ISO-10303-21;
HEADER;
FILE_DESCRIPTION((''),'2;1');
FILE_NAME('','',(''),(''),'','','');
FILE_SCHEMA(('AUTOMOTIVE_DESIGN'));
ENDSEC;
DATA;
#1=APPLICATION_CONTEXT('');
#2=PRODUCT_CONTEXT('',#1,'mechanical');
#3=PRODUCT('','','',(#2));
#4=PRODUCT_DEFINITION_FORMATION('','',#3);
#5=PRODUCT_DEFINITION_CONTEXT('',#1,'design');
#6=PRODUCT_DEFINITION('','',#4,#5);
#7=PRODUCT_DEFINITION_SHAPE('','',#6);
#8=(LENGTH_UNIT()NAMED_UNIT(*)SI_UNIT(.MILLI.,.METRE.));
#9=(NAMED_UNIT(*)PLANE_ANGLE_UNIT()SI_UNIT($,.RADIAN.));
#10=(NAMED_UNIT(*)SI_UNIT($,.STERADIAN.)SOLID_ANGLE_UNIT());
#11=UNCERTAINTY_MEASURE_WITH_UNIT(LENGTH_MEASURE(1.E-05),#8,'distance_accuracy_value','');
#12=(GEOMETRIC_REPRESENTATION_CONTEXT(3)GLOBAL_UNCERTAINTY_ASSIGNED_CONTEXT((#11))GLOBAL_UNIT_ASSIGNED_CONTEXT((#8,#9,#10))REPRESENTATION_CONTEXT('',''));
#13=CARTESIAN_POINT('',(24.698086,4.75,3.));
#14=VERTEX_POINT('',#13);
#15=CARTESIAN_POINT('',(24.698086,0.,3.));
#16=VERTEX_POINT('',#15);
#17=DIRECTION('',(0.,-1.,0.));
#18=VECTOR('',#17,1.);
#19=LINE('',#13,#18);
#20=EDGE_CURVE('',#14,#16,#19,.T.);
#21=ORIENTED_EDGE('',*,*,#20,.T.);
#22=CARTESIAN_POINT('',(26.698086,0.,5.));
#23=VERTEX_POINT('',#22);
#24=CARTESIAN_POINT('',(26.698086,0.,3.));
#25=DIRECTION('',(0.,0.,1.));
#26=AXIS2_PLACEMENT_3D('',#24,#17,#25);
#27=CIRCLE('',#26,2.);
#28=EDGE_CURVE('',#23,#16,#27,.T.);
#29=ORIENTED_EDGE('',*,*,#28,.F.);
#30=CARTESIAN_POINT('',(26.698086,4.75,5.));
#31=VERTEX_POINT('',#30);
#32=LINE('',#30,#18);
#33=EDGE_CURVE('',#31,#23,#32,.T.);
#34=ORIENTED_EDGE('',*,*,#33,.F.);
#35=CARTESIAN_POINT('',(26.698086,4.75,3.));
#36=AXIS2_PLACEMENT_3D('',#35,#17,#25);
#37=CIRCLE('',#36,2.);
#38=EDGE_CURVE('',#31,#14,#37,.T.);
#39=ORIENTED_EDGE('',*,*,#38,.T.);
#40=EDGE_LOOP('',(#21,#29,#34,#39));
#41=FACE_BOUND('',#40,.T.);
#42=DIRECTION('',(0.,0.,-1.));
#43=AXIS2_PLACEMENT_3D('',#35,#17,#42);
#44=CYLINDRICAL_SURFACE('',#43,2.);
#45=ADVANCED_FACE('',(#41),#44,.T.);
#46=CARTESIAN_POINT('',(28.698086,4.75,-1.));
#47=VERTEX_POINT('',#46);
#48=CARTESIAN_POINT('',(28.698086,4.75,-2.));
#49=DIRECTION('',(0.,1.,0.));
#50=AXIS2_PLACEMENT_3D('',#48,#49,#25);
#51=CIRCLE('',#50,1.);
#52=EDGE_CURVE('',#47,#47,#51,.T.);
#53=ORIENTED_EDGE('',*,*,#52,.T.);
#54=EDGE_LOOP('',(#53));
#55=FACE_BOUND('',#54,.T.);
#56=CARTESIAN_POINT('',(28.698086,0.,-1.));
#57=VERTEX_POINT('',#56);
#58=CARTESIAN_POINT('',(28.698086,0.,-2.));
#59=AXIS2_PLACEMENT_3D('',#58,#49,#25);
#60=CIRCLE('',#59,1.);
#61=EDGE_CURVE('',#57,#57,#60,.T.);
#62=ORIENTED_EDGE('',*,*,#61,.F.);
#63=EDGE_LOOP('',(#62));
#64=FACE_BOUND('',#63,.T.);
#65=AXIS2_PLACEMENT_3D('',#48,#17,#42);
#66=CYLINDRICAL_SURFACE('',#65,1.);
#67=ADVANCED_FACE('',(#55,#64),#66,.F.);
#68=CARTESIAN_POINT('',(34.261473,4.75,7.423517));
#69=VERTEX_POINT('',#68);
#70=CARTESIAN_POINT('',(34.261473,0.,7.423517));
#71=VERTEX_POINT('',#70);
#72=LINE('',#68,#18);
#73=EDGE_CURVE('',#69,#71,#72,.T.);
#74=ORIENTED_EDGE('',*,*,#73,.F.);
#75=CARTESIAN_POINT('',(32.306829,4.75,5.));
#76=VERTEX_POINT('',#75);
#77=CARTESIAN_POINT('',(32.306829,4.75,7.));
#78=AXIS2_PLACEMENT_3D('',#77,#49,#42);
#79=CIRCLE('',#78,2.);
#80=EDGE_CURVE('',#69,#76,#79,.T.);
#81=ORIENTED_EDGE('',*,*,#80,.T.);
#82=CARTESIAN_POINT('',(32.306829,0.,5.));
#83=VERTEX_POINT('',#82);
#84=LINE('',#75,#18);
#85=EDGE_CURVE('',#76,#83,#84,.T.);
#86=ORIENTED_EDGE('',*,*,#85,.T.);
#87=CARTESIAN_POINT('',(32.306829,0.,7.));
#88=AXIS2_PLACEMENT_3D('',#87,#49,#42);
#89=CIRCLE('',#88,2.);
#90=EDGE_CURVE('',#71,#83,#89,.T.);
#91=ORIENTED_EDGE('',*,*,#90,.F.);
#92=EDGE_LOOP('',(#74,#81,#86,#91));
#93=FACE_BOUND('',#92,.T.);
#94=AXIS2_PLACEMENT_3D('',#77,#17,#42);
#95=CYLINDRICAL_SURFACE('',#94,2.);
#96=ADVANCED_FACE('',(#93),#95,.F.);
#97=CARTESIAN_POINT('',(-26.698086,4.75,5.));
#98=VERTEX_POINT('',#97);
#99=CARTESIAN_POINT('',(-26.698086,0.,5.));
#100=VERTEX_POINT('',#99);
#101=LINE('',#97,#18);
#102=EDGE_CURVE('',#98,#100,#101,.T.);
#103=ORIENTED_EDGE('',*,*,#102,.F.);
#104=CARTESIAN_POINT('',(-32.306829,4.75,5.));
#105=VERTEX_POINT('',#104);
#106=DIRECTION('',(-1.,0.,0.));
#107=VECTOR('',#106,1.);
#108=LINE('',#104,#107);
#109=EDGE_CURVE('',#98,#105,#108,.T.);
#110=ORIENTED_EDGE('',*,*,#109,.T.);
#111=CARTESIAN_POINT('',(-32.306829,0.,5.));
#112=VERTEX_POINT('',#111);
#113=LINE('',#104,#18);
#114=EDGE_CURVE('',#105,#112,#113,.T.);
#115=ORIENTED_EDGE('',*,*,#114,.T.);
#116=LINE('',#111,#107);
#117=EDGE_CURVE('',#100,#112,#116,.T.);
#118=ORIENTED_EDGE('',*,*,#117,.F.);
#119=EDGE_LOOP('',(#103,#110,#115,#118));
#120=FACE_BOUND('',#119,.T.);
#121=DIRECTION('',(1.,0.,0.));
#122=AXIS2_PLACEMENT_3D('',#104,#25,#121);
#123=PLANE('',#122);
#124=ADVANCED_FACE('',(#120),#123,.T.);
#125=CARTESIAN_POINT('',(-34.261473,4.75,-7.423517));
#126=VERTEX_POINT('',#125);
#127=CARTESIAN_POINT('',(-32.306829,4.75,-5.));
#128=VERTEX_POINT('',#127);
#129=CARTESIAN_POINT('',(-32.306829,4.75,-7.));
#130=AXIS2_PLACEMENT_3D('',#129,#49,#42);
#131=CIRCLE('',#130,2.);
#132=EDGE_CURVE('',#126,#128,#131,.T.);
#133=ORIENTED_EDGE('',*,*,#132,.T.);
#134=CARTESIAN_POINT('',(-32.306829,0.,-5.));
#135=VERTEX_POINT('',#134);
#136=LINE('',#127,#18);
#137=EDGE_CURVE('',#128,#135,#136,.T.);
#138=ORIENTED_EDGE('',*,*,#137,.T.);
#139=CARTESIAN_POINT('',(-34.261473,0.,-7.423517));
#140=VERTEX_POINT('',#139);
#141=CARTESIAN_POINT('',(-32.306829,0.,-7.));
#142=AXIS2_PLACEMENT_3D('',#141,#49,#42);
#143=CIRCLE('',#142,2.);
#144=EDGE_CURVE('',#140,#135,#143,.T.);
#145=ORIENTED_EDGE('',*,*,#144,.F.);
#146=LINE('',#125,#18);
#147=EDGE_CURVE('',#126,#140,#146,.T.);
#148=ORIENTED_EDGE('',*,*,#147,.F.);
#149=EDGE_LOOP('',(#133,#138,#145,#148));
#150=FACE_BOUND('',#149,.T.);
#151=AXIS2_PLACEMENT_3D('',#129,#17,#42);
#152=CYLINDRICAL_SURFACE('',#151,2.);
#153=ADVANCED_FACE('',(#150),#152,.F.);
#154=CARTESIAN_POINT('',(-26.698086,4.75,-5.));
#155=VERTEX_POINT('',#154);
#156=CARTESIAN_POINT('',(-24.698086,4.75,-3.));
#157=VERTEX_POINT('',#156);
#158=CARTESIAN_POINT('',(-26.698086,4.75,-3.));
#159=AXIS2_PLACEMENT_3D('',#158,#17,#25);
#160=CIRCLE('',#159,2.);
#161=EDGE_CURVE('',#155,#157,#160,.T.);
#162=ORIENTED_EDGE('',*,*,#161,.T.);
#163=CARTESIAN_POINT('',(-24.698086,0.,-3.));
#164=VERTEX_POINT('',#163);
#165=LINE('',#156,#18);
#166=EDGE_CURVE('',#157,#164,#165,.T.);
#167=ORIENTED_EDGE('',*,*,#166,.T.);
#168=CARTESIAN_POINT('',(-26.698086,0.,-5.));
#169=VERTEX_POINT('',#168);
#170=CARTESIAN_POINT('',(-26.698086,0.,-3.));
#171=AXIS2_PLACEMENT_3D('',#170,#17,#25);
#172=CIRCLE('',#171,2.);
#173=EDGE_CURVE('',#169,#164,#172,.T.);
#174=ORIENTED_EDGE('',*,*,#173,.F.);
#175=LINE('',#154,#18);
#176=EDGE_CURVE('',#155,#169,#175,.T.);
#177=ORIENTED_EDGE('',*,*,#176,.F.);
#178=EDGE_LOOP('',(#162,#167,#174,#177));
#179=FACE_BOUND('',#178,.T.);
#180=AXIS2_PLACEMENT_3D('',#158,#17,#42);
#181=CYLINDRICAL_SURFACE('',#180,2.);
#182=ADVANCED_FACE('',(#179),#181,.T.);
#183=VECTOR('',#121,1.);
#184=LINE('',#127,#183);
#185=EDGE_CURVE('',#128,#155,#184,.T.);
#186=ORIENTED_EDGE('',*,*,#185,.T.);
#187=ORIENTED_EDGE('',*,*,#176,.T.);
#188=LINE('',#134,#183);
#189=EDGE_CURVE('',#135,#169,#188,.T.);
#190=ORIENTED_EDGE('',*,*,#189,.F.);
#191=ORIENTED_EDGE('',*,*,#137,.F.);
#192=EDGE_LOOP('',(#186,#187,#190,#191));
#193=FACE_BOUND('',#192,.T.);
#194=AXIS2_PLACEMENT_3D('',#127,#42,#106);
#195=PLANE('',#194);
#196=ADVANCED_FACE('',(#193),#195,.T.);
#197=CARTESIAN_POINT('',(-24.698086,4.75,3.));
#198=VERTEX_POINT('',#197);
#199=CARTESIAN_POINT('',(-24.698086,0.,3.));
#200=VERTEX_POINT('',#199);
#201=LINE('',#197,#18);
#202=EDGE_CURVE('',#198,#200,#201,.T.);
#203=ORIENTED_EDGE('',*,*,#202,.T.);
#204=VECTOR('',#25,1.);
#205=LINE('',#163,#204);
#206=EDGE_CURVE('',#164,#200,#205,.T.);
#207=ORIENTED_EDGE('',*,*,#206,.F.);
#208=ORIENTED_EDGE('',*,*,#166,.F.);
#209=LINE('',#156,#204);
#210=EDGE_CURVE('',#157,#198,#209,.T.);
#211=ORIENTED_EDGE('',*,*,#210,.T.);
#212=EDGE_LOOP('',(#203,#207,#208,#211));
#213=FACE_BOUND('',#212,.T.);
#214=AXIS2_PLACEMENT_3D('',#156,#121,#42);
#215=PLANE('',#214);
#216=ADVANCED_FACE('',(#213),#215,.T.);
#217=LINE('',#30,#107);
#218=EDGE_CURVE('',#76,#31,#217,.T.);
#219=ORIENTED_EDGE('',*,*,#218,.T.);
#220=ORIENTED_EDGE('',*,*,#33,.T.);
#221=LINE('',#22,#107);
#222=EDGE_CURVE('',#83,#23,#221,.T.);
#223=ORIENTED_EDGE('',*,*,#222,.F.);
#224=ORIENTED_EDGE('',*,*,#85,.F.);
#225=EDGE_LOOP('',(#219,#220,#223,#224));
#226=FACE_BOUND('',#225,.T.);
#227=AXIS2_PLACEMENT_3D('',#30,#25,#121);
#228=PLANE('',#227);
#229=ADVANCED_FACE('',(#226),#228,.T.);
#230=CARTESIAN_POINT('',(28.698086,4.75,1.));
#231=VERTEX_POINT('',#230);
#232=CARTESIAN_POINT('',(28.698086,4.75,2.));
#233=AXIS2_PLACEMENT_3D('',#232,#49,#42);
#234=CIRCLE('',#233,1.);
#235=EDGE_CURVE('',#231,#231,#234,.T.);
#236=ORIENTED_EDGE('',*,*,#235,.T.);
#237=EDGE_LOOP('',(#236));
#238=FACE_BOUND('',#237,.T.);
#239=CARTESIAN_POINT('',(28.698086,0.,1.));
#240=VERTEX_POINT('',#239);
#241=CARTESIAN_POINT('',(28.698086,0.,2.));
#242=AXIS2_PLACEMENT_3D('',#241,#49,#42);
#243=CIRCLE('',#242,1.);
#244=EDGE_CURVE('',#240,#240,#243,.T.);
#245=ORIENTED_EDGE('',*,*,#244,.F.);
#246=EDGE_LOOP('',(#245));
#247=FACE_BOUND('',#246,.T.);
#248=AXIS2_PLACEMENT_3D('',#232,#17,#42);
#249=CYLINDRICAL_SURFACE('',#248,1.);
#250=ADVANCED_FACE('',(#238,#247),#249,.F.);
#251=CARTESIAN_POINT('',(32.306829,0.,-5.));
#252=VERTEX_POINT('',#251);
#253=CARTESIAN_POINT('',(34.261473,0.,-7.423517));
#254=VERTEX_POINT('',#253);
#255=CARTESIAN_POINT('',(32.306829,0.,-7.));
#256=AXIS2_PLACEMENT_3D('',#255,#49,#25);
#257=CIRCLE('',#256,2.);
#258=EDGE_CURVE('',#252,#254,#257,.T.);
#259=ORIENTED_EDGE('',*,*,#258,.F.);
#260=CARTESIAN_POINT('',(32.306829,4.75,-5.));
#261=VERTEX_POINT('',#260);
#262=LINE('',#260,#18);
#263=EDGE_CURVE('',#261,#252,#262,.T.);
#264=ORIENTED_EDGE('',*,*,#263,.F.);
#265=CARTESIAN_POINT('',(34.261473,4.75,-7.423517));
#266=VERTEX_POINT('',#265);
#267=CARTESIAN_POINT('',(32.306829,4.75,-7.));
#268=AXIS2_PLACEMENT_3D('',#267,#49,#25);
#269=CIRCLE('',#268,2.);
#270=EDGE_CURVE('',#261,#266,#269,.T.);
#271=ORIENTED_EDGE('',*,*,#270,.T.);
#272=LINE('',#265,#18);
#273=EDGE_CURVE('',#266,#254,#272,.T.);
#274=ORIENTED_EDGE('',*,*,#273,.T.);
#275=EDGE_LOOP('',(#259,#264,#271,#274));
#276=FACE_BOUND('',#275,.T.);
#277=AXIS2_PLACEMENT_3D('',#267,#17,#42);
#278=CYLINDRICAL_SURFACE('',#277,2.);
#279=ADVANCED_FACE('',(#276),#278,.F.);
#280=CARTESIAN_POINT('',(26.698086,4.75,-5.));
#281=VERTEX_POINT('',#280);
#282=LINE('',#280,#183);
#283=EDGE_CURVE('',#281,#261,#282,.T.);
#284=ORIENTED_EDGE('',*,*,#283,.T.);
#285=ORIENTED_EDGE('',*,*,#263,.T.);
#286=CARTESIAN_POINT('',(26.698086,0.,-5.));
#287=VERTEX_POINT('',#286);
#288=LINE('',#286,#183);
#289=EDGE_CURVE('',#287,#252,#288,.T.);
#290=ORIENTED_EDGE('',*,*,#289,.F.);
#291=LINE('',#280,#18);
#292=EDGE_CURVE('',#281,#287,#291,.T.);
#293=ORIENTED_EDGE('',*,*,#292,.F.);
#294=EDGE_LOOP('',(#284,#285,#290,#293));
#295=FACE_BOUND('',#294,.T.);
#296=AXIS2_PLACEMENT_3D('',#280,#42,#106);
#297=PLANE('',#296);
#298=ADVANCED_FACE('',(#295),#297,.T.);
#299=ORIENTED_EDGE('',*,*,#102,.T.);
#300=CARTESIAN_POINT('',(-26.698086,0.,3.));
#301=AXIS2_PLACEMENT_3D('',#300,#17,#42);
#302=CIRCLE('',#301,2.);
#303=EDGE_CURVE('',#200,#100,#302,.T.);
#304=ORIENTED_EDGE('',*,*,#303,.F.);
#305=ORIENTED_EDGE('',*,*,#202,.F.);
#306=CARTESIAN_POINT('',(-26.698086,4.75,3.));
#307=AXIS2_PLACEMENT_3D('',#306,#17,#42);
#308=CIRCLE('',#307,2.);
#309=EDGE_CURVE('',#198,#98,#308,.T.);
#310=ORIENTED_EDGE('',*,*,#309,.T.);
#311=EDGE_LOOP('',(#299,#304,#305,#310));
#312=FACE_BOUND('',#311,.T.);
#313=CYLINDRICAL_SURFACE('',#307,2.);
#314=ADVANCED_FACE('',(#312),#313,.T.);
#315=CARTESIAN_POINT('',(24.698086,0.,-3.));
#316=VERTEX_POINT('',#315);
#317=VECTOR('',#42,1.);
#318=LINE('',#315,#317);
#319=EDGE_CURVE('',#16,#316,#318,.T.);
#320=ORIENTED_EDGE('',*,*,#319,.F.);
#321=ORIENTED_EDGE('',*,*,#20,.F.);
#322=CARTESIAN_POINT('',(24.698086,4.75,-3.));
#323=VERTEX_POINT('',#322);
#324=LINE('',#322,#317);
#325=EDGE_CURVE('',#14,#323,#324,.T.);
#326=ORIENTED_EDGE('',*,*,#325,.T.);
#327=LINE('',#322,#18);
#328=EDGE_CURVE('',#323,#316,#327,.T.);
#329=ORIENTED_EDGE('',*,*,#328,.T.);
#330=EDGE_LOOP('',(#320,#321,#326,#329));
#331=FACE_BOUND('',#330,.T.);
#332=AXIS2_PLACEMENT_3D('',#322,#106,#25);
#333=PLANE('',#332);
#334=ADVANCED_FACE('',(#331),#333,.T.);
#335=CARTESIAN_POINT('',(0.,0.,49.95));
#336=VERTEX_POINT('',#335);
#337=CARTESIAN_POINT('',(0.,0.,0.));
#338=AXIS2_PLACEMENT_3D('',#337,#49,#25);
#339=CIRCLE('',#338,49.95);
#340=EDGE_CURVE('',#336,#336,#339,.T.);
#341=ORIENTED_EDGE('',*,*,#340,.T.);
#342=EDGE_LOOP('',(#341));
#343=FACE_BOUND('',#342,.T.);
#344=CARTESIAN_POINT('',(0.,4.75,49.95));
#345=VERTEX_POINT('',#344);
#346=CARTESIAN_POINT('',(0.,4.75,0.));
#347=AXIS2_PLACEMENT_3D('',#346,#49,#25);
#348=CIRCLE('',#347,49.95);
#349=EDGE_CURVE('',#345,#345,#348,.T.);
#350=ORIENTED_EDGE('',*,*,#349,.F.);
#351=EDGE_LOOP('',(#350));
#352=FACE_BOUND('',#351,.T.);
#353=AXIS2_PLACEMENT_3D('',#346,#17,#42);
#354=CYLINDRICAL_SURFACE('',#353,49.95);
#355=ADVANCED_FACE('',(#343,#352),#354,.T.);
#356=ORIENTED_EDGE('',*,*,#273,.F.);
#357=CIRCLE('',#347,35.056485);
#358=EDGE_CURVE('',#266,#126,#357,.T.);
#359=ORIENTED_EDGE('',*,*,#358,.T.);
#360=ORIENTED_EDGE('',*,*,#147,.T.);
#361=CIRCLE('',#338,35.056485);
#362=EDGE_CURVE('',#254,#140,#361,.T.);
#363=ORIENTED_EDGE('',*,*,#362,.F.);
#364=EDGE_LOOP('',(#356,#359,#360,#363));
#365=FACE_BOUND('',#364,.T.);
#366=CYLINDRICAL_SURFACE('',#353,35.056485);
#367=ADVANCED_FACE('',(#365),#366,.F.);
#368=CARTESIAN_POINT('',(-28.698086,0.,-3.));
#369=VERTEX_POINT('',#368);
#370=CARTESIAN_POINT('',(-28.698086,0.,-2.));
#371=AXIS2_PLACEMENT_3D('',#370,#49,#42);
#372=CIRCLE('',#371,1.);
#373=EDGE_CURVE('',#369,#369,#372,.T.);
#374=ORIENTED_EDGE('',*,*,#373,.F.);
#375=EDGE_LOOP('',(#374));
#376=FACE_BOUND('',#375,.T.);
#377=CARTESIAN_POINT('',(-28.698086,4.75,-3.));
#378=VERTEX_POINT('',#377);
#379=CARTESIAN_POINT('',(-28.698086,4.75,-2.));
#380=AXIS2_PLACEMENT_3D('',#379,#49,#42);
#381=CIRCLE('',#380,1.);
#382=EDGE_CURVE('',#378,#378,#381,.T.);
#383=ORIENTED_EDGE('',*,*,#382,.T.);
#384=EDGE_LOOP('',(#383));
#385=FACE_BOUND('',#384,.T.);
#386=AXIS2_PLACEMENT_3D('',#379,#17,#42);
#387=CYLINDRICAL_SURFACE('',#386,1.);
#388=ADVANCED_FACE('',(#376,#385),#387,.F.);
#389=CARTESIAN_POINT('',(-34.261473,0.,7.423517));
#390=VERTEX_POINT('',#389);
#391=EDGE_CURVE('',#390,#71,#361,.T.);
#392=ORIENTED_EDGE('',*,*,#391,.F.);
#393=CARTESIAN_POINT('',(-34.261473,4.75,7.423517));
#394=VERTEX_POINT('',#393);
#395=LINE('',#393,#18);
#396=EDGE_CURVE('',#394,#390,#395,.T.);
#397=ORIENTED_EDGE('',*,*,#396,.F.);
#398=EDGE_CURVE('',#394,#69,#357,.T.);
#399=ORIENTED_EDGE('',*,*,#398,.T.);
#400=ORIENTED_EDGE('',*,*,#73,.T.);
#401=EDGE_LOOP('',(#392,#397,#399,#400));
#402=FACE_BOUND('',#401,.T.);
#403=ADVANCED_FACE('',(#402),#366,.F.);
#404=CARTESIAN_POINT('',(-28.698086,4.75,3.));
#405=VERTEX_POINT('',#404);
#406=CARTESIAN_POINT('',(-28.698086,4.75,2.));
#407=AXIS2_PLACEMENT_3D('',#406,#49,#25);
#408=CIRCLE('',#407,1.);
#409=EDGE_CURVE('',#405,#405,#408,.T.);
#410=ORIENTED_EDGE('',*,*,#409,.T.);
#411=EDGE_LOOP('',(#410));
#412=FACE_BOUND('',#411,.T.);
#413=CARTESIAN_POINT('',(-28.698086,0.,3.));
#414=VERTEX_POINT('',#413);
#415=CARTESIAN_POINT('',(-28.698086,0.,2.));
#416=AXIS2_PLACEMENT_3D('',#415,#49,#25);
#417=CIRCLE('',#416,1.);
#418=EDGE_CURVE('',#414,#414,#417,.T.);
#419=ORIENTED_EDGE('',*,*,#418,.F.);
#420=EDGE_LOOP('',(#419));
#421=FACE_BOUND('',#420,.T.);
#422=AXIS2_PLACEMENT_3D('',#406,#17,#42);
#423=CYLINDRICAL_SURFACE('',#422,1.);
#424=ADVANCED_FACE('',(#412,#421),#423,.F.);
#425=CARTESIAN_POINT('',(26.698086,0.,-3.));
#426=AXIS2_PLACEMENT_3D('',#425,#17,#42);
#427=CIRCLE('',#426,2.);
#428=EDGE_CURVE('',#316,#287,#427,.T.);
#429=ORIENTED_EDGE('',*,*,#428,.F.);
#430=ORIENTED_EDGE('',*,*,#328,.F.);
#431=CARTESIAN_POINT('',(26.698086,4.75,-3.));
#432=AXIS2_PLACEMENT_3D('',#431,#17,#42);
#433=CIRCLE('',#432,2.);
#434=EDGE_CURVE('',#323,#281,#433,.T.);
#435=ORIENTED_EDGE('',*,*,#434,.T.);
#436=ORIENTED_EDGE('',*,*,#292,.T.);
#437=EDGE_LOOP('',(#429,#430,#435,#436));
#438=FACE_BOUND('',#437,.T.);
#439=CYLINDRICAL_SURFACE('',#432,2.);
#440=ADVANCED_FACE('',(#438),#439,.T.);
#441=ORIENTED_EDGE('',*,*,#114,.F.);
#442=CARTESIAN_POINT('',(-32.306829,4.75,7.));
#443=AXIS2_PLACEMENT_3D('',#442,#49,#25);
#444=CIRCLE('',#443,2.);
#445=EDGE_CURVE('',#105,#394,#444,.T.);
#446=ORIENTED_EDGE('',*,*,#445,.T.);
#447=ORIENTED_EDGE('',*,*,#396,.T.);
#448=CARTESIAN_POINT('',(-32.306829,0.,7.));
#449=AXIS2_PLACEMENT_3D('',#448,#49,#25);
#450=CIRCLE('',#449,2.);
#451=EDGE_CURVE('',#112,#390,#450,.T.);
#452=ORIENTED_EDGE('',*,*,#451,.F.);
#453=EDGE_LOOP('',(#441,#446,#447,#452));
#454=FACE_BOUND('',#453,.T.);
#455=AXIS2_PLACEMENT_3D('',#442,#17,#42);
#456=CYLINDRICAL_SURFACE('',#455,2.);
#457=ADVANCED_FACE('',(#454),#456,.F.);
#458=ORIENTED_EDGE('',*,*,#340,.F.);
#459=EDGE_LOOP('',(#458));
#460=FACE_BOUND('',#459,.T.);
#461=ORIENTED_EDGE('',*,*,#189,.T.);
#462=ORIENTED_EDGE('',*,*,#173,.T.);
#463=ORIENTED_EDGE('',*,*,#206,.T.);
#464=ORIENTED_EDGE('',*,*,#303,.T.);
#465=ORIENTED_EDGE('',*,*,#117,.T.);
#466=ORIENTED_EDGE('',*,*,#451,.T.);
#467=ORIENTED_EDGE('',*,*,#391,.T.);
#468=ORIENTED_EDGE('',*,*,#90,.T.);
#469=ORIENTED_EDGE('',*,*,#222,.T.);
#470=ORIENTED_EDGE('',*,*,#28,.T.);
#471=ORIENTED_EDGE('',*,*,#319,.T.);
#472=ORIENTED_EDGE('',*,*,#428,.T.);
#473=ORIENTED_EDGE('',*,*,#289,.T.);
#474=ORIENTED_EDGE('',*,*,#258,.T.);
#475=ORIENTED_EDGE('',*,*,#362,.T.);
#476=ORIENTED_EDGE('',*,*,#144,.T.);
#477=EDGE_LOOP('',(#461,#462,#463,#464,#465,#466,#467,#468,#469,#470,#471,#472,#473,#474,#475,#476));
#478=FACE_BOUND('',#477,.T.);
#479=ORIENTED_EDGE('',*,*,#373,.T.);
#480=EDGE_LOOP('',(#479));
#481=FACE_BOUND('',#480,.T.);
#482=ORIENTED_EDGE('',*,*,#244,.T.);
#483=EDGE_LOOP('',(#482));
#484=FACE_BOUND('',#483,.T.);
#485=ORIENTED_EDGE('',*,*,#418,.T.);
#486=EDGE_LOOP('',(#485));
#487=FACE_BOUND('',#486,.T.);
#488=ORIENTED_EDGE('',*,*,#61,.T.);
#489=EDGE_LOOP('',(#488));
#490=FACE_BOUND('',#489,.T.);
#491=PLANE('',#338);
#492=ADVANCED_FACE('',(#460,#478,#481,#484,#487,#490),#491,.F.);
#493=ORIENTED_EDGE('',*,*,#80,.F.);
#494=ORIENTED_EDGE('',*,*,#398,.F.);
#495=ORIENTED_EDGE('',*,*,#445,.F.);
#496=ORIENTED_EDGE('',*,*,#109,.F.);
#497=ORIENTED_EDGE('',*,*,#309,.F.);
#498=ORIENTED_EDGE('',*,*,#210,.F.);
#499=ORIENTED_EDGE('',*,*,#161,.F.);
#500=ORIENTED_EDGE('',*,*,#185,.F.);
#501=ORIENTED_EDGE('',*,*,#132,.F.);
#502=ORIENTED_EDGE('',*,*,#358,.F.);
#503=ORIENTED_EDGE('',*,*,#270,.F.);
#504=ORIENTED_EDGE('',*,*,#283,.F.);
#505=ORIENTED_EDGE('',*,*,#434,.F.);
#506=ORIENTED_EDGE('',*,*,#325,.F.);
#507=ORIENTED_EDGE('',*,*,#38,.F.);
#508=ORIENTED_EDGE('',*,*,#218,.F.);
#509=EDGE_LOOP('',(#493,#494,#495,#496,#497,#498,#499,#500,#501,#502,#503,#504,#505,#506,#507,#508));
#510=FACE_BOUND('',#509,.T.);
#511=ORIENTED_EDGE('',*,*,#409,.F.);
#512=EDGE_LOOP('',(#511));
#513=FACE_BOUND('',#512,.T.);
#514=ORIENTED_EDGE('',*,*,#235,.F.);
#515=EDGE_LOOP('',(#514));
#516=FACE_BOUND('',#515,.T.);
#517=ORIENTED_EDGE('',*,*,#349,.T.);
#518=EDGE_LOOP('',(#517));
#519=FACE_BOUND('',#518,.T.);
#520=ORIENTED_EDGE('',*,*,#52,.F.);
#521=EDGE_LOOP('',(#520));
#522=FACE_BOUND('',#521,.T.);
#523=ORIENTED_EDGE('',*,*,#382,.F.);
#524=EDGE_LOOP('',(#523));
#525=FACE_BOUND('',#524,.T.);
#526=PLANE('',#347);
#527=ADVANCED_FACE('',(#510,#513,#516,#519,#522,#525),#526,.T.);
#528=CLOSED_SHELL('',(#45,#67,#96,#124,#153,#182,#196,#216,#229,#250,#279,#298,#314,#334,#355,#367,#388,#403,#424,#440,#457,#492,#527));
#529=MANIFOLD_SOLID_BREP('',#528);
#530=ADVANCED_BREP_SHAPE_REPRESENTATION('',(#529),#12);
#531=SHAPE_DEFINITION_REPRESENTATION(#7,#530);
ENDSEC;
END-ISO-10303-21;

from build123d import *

# Parameters (mm, degrees)
SKETCH1_R           = 49.95
SKETCH1_R_2         = 1
BOSS_EXTRUDE1_DEPTH = 4.75


with BuildPart() as part:
    # Sketch1 → Boss-Extrude1 (new body)
    with BuildSketch(Plane(origin=(0, 0, 0), x_dir=(1, 0, 0), z_dir=(0, 1, 0))):
        Circle(SKETCH1_R)
        with Locations((-28.698085879, -2)):
            Circle(SKETCH1_R_2, mode=Mode.SUBTRACT)
        with Locations((-28.698085879, 2)):
            Circle(SKETCH1_R_2, mode=Mode.SUBTRACT)
        with Locations((28.698085879, -2)):
            Circle(SKETCH1_R_2, mode=Mode.SUBTRACT)
        with Locations((28.698085879, 2)):
            Circle(SKETCH1_R_2, mode=Mode.SUBTRACT)
        with BuildLine():
            Line((-32.306829346, -5), (-26.698085879, -5))
            ThreePointArc((-26.698085879, -5), (-25.283872317, -4.414213562), (-24.698085879, -3))
            Line((-24.698085879, -3), (-24.698085879, 3))
            ThreePointArc((-24.698085879, 3), (-25.283872317, 4.414213562), (-26.698085879, 5))
            Line((-26.698085879, 5), (-32.306829346, 5))
            ThreePointArc((-32.306829346, 5), (-33.863594421, 5.744419457), (-34.261473284, 7.423517499))
            ThreePointArc((-34.261473284, 7.423517499), (0, 35.05648533), (34.261473284, 7.423517499))
            ThreePointArc((34.261473284, 7.423517499), (33.863594421, 5.744419457), (32.306829346, 5))
            Line((32.306829346, 5), (26.698085879, 5))
            ThreePointArc((26.698085879, 5), (25.283872317, 4.414213562), (24.698085879, 3))
            Line((24.698085879, 3), (24.698085879, -3))
            ThreePointArc((24.698085879, -3), (25.283872317, -4.414213562), (26.698085879, -5))
            Line((26.698085879, -5), (32.306829346, -5))
            ThreePointArc((32.306829346, -5), (33.863594421, -5.744419457), (34.261473284, -7.423517499))
            ThreePointArc((34.261473284, -7.423517499), (0, -35.05648533), (-34.261473284, -7.423517499))
            ThreePointArc((-34.261473284, -7.423517499), (-33.863594421, -5.744419457), (-32.306829346, -5))
        make_face(mode=Mode.SUBTRACT)
    extrude(amount=BOSS_EXTRUDE1_DEPTH)


solid = part.part
